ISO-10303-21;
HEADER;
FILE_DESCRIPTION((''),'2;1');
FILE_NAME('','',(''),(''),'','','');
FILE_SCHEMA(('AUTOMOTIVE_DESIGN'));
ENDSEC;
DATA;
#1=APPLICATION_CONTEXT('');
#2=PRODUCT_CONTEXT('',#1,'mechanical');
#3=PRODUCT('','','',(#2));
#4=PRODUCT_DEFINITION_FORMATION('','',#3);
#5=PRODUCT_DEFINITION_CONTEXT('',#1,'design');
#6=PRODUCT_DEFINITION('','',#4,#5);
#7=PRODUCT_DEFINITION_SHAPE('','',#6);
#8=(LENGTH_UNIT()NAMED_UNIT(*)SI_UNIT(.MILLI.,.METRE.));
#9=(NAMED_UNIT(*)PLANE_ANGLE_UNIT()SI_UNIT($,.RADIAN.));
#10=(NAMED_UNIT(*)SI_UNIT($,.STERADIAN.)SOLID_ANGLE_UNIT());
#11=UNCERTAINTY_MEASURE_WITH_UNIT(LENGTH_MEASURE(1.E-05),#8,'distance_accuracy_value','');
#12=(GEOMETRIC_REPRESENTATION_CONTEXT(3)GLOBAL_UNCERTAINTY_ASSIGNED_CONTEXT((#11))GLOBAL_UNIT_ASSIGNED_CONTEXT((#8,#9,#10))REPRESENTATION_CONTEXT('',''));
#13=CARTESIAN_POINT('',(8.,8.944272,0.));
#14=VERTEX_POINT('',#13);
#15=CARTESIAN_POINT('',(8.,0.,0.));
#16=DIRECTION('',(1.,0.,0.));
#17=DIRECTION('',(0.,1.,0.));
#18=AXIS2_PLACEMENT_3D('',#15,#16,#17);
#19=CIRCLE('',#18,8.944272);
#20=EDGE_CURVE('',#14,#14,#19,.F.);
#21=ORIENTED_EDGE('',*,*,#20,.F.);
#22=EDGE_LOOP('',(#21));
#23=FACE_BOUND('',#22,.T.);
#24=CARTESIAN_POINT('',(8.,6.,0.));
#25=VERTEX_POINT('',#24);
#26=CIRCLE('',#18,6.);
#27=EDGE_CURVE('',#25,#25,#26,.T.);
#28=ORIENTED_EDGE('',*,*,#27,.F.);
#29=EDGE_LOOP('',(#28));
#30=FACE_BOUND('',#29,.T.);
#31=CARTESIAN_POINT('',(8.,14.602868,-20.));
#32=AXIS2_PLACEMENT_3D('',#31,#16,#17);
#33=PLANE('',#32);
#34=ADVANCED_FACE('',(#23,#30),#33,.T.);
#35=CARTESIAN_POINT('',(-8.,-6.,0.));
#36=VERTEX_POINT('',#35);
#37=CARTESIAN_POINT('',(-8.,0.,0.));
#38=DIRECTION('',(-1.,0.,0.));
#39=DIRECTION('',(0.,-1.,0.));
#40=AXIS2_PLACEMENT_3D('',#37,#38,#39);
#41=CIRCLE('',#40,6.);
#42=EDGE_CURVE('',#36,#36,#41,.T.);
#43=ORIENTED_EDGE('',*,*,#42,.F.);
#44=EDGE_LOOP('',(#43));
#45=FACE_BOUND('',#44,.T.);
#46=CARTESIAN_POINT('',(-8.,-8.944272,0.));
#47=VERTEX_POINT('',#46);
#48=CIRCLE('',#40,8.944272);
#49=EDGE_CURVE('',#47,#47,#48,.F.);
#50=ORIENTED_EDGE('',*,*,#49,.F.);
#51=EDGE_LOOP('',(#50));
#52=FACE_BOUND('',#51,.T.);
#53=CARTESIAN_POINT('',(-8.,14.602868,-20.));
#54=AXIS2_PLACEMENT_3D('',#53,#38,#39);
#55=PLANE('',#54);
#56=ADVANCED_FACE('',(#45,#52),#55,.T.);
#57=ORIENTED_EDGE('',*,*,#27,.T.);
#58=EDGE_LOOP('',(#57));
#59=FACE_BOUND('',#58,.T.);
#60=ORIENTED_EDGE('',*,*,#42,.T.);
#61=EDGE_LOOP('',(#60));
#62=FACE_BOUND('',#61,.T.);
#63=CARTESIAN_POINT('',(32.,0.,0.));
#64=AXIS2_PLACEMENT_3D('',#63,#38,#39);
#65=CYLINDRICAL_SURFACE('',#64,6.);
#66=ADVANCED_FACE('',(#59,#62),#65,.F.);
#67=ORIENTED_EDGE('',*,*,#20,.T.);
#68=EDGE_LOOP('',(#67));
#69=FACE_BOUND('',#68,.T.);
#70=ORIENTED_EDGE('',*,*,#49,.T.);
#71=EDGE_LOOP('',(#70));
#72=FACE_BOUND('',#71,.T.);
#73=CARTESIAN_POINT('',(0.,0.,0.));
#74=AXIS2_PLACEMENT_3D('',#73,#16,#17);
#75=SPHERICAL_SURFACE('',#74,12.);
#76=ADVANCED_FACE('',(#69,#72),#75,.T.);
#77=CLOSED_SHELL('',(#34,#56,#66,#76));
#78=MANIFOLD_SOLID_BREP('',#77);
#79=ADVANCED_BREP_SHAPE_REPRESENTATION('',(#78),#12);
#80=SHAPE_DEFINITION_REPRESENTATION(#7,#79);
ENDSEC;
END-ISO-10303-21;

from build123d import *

# Parameters (mm, degrees)
SKETCH2_OUTSIDE_W   = 34.314
SKETCH2_OUTSIDE_H   = 34.314
SKETCH2_OUTSIDE_W_2 = 16
SKETCH2_OUTSIDE_H_2 = 32.405240589
CUT_EXTRUDE1_DEPTH  = 20
SKETCH3_R           = 6
CUT_EXTRUDE2_DEPTH  = 40


with BuildPart() as part:
    # Sketch1 → Revolve1 (revolve)
    with BuildSketch(Plane.XY):
        with BuildLine():
            Line((0, 12), (0, -12))
            ThreePointArc((0, -12), (-12, 0), (0, 12))
        make_face()
    revolve(axis=Axis((0, 16.812644527, 0), (0, -1, 0)))

    # Sketch2 outside → Cut-Extrude1 (cut, symmetric)
    with BuildSketch(Plane.XY):
        Rectangle(SKETCH2_OUTSIDE_W, SKETCH2_OUTSIDE_H)
        with Locations((0, -1.599752384)):
            Rectangle(SKETCH2_OUTSIDE_W_2, SKETCH2_OUTSIDE_H_2, mode=Mode.SUBTRACT)
    extrude(amount=CUT_EXTRUDE1_DEPTH, both=True, mode=Mode.SUBTRACT)

    # Sketch3 → Cut-Extrude2 (cut)
    with BuildSketch(Plane.ZY.offset(8)):
        with Locations(Location((0, 0, 0), (0, 0, 270))):
            Circle(SKETCH3_R)
    extrude(amount=-CUT_EXTRUDE2_DEPTH, mode=Mode.SUBTRACT)


solid = part.part
